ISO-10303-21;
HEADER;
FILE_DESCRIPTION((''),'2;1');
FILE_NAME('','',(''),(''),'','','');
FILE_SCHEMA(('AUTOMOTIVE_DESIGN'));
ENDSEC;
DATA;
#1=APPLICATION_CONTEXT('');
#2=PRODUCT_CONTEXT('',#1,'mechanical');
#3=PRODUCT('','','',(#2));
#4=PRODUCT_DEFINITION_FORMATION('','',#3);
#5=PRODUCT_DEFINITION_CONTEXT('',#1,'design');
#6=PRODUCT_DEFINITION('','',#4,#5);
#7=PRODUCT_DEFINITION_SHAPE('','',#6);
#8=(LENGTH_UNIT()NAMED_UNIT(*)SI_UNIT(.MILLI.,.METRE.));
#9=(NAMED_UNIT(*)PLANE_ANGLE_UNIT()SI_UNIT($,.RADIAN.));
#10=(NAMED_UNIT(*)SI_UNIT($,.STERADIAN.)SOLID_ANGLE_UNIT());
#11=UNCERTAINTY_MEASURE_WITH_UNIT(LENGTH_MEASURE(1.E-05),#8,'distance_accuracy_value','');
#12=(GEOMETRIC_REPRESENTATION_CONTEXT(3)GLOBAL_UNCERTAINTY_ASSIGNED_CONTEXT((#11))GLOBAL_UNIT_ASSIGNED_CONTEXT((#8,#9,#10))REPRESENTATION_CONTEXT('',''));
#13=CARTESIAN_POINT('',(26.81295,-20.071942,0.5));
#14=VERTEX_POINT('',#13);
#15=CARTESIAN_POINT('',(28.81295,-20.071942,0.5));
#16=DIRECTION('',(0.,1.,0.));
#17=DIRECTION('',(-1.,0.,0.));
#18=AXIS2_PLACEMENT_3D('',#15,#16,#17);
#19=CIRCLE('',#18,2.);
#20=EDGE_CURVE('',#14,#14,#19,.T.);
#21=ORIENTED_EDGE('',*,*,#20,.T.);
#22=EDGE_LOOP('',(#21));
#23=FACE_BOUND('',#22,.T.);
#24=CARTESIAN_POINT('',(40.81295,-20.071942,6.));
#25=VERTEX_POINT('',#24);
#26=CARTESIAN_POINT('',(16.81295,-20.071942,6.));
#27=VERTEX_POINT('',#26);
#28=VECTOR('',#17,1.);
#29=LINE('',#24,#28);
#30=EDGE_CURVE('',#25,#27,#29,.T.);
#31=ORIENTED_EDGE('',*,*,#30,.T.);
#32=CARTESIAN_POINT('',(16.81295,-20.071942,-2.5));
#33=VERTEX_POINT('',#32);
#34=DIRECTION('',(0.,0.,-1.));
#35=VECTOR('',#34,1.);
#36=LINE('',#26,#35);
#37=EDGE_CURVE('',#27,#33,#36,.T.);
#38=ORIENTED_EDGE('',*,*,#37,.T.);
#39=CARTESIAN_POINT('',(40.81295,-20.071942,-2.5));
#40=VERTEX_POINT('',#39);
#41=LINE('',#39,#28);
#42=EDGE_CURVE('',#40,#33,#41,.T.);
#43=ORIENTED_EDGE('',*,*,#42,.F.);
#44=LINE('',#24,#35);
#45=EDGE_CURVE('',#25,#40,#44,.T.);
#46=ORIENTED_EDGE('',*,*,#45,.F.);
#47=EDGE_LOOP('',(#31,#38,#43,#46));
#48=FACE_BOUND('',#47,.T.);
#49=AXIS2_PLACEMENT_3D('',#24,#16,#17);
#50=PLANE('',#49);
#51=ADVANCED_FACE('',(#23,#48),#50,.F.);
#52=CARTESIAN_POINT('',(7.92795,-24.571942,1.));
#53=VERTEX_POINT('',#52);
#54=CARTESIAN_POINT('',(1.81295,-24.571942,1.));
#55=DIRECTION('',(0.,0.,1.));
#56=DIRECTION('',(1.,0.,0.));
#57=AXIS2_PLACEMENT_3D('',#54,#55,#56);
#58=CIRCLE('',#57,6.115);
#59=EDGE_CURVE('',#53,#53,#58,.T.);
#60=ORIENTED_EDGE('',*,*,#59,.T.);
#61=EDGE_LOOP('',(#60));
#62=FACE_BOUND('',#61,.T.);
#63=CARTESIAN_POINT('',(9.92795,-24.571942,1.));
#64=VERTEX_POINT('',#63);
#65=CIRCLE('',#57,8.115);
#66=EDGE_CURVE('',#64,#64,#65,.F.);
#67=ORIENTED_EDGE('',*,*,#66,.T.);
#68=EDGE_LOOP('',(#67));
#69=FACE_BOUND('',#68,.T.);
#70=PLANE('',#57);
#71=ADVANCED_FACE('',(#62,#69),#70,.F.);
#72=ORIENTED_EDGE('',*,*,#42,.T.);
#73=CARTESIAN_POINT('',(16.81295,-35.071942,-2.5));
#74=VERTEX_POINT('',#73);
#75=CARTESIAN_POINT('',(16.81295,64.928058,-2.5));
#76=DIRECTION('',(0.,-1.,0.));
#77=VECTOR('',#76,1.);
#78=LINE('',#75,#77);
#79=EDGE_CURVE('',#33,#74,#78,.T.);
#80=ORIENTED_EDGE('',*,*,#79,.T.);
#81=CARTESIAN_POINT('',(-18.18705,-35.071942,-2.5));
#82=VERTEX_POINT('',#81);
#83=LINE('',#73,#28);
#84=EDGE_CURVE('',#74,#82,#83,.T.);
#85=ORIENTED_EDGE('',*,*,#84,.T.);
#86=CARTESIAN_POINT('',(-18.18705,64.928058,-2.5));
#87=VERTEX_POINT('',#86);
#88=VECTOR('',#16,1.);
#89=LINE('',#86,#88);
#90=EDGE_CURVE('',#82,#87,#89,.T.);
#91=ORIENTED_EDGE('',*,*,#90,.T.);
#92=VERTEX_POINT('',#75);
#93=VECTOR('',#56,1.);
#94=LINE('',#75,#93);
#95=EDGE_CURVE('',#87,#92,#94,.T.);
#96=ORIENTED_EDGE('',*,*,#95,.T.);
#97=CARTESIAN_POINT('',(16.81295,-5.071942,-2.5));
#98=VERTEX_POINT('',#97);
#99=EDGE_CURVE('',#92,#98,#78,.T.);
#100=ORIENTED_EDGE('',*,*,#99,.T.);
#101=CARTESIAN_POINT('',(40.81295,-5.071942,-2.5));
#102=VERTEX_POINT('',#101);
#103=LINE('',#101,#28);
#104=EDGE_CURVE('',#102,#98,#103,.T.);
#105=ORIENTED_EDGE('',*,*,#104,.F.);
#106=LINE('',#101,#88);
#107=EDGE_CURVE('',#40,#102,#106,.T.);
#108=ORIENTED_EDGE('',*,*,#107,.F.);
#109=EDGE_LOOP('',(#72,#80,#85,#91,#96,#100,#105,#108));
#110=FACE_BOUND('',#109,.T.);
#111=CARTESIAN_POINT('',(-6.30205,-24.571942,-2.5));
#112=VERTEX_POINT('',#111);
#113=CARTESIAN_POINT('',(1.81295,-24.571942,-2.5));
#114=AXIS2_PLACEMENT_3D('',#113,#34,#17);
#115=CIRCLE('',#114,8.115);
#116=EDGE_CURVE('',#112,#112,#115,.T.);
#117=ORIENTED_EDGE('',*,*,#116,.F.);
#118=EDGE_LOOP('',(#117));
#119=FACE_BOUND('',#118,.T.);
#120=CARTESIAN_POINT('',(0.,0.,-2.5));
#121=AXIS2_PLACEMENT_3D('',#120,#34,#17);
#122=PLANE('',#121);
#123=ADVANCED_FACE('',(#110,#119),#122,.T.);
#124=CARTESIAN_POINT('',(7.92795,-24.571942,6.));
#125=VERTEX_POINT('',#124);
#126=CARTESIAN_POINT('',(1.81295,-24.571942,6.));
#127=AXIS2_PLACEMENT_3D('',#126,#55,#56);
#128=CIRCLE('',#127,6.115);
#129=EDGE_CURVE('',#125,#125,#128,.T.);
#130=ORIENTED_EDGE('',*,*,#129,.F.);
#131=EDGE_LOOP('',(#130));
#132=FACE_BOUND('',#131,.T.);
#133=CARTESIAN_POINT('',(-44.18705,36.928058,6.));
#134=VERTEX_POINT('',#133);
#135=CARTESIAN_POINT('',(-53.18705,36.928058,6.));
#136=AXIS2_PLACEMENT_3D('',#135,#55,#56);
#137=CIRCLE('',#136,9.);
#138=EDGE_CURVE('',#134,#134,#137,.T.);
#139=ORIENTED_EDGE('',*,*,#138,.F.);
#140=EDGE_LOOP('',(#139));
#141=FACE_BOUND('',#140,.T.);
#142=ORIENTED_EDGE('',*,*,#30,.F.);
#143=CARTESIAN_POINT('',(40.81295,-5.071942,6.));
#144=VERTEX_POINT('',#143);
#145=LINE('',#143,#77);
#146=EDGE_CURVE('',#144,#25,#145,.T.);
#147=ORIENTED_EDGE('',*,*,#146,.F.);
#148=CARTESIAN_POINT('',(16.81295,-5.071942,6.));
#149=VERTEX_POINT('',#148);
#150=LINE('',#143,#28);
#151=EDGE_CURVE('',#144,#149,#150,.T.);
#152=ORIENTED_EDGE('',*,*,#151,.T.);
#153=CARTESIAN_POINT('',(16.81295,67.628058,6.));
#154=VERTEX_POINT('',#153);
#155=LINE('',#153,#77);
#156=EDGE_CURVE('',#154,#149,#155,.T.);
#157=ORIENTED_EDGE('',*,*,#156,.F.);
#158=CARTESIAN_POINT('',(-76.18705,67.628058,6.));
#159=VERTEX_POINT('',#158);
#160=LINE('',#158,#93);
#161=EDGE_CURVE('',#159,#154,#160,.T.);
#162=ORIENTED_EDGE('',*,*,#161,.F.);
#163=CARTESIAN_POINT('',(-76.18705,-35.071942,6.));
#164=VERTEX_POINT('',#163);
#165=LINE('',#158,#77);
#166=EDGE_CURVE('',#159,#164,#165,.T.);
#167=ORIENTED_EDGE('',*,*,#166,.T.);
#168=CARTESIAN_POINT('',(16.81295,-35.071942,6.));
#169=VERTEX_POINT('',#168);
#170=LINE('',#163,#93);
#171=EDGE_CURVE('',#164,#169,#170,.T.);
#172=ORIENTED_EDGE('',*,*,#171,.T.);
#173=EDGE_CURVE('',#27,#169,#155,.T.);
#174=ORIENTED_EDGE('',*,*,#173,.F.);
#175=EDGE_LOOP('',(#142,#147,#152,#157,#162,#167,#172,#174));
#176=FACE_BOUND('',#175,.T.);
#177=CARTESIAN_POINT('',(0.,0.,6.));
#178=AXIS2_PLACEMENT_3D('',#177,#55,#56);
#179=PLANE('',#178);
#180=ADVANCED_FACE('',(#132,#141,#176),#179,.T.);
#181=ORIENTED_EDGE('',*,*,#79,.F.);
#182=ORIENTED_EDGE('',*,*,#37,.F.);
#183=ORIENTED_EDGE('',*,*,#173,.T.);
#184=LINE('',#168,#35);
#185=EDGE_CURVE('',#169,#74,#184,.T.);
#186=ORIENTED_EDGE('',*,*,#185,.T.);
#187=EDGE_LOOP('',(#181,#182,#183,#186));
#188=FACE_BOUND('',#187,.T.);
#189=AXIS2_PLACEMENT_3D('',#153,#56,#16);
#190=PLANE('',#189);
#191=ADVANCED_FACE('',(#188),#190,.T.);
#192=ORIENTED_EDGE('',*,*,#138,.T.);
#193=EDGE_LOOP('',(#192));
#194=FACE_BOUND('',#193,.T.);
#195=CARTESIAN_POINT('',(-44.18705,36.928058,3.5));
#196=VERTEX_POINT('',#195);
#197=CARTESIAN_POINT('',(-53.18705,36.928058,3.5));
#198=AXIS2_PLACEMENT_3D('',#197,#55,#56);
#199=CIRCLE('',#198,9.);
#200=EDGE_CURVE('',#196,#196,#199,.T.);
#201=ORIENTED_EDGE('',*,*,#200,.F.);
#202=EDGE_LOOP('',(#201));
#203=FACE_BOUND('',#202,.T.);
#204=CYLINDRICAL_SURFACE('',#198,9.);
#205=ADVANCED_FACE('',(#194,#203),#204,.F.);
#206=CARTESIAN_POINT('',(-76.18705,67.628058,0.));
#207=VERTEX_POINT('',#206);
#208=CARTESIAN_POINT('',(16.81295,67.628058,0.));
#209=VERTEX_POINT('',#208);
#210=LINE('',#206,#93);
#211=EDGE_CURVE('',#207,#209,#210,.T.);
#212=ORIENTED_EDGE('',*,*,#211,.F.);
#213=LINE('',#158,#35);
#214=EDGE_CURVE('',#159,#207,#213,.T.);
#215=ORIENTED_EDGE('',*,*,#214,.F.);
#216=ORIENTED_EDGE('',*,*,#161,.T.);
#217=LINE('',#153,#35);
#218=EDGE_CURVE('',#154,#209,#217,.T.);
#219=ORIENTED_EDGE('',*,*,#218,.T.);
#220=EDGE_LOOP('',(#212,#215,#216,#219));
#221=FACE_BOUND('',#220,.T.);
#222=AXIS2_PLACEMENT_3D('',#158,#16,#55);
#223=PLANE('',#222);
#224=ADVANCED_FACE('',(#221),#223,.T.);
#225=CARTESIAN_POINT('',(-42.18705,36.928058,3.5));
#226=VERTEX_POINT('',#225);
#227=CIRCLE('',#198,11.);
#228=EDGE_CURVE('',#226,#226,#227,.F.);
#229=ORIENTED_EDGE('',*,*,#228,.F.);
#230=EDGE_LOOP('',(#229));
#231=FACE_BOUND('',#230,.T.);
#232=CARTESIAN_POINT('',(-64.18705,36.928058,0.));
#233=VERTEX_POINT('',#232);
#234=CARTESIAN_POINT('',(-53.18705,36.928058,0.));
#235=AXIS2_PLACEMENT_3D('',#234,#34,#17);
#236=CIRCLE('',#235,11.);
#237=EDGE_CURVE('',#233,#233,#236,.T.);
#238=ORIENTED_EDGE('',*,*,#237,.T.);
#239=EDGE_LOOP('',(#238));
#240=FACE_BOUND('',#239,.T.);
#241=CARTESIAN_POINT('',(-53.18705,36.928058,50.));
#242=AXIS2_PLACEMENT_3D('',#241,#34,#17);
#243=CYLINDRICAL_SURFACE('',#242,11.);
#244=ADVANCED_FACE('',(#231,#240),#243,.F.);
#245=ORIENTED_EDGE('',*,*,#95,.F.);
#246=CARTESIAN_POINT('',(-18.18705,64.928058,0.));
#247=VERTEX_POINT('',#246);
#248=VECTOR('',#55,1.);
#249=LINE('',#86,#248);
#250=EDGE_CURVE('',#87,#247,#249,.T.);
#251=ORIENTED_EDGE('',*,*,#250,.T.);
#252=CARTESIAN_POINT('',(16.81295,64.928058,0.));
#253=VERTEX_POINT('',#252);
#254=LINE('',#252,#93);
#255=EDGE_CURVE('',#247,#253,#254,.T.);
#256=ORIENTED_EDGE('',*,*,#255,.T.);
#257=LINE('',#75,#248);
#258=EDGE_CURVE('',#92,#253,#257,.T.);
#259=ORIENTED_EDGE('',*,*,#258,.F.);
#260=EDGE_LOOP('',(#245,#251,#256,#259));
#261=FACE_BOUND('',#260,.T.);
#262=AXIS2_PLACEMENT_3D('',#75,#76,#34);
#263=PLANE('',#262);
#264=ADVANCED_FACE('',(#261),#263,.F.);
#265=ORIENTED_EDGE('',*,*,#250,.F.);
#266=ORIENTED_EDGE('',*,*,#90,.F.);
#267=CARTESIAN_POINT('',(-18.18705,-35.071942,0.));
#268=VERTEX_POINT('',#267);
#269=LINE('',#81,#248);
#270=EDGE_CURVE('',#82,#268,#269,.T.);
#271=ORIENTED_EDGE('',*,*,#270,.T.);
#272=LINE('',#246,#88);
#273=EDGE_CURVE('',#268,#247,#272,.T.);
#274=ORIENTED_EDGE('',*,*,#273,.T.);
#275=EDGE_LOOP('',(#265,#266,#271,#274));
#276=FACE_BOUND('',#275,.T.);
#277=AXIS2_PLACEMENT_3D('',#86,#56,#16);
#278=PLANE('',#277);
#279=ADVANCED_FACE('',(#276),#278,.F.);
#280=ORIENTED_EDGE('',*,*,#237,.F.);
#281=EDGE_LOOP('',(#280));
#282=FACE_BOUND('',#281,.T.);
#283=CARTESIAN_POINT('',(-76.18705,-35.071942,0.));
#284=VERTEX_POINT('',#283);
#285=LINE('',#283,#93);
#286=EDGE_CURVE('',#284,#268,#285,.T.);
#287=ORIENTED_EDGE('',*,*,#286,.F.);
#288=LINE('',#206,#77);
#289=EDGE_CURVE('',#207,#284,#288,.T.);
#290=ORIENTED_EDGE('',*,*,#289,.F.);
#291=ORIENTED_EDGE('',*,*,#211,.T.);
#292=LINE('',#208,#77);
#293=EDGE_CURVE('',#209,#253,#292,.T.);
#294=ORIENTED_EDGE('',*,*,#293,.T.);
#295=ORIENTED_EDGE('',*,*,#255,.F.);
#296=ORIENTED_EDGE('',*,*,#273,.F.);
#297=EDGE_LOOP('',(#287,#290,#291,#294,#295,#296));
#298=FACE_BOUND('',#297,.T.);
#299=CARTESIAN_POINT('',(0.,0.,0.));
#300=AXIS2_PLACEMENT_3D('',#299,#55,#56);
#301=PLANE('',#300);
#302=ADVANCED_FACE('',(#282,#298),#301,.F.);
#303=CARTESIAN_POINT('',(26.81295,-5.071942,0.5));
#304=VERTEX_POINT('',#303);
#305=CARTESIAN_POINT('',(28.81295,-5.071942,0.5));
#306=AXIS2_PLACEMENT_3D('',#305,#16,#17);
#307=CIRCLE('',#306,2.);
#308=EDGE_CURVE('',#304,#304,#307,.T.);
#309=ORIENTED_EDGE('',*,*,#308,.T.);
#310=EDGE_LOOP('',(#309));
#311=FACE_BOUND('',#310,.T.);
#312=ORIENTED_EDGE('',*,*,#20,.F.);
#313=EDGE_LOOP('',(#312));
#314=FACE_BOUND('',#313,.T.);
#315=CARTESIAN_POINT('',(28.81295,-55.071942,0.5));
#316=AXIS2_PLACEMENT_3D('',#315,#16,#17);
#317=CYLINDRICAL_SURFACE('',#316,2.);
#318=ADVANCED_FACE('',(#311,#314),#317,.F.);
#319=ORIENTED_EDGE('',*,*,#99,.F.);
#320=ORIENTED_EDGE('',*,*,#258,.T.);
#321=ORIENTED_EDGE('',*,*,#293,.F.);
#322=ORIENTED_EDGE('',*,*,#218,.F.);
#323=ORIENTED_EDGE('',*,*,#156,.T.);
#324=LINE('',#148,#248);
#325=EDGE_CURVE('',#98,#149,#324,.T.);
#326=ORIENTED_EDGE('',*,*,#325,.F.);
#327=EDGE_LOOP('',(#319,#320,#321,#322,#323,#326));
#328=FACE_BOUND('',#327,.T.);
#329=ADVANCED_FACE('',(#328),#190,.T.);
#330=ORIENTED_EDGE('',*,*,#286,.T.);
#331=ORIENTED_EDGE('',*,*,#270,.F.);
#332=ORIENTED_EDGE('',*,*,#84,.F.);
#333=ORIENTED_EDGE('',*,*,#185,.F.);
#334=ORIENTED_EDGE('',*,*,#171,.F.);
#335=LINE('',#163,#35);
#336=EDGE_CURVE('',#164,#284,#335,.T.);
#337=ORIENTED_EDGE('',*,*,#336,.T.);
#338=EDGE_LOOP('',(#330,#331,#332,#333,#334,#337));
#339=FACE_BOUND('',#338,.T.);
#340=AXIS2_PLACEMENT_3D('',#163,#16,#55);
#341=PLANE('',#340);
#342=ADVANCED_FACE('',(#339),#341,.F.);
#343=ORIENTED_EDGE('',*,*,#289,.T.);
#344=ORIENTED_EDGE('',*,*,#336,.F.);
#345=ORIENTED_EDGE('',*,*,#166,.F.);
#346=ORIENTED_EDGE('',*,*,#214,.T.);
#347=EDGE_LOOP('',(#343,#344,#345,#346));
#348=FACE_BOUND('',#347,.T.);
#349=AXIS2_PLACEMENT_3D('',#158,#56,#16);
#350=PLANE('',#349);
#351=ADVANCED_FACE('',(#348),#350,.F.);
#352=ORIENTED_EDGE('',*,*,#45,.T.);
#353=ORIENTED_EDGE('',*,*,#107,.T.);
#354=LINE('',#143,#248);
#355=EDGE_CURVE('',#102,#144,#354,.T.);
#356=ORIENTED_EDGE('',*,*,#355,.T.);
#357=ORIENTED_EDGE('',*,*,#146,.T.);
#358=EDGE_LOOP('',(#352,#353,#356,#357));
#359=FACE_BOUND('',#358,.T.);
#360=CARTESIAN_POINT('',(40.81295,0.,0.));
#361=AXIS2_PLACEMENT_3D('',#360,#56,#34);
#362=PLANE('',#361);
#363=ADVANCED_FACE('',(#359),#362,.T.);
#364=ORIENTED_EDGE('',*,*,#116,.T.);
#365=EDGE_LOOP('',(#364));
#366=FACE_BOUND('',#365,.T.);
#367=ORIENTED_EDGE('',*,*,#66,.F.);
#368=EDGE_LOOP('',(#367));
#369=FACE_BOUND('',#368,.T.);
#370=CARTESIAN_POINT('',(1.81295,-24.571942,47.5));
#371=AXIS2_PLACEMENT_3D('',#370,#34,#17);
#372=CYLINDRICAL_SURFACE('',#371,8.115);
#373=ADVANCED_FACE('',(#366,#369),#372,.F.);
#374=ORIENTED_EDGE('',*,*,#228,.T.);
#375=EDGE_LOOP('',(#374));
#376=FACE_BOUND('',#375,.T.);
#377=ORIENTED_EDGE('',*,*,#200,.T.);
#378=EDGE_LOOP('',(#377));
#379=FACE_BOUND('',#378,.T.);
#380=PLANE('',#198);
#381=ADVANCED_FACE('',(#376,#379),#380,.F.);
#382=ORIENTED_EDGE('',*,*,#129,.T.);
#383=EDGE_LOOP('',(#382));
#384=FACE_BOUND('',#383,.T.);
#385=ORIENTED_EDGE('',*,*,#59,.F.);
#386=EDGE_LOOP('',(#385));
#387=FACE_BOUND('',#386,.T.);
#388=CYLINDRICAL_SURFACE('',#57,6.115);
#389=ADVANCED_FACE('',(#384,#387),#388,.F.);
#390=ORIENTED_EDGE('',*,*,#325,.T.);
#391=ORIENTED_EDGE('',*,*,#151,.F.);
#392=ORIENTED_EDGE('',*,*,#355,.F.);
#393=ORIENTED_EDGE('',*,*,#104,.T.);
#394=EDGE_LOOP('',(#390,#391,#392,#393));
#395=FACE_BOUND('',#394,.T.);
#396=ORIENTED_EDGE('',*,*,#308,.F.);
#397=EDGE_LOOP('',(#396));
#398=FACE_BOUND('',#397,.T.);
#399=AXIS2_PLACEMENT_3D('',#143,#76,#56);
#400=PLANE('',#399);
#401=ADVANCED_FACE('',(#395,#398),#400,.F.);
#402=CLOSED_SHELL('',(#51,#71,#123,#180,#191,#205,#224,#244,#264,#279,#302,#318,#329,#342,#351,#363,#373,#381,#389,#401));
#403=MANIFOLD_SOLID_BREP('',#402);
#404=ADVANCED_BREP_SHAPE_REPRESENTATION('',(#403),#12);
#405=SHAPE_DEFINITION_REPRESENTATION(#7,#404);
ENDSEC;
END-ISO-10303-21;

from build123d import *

# Parameters (mm, degrees)
SKETCH1_W           = 93
SKETCH1_H           = 102.7
BOSS_EXTRUDE2_DEPTH = 6
SKETCH3_W           = 35
SKETCH3_H           = 100
BOSS_EXTRUDE3_DEPTH = 2.5
SKETCH4_W           = 8.5
SKETCH4_H           = 15
BOSS_EXTRUDE4_DEPTH = 24
SKETCH5_R           = 2
CUT_EXTRUDE1_DEPTH  = 50
SKETCH6_R           = 8.115
CUT_EXTRUDE2_DEPTH  = 50
SKETCH7_R           = 11
CUT_EXTRUDE3_DEPTH  = 50
EXTRUDE_THIN1_START = -3.5
SKETCH7_AGAIN_R     = 11
SKETCH7_AGAIN_R_2   = 9
EXTRUDE_THIN1_DEPTH = 2.5
EXTRUDE_THIN2_START = -3.5
SKETCH6_2_R         = 8.115
SKETCH6_2_R_2       = 6.115
EXTRUDE_THIN2_DEPTH = 5


with BuildPart() as part:
    # Sketch1 → Boss-Extrude2 (new body)
    with BuildSketch(Plane.XY):
        with Locations((-29.68705036, 16.278057554)):
            Rectangle(SKETCH1_W, SKETCH1_H)
    extrude(amount=BOSS_EXTRUDE2_DEPTH)

    # Sketch3 → Boss-Extrude3 (add)
    with BuildSketch(Plane(origin=(0, 0, 0), x_dir=(-1, 0, 0), z_dir=(0, 0, -1))):
        with Locations((0.68705036, 14.928057554)):
            Rectangle(SKETCH3_W, SKETCH3_H)
    extrude(amount=BOSS_EXTRUDE3_DEPTH)

    # Sketch4 → Boss-Extrude4 (add)
    with BuildSketch(Plane(origin=(16.81294964, 0, 0), x_dir=(0, 0, -1), z_dir=(1, 0, 0))):
        with Locations((-1.75, -12.571942446)):
            Rectangle(SKETCH4_W, SKETCH4_H)
    extrude(amount=BOSS_EXTRUDE4_DEPTH)

    # Sketch5 → Cut-Extrude1 (cut)
    with BuildSketch(Plane(origin=(0, -5.071942446, 0), x_dir=(1, 0, 0), z_dir=(0, 1, 0))):
        with Locations(Location((28.81294964, -0.5, 0), (0, 0, 180))):
            Circle(SKETCH5_R)
    extrude(amount=-CUT_EXTRUDE1_DEPTH, mode=Mode.SUBTRACT)

    # Sketch6 → Cut-Extrude2 (cut)
    with BuildSketch(Plane(origin=(0, 0, -2.5), x_dir=(-1, 0, 0), z_dir=(0, 0, -1))):
        with Locations((-1.81294964, -24.571942446)):
            Circle(SKETCH6_R)
    extrude(amount=-CUT_EXTRUDE2_DEPTH, mode=Mode.SUBTRACT)

    # Sketch7 → Cut-Extrude3 (cut)
    with BuildSketch(Plane(origin=(0, 0, 0), x_dir=(-1, 0, 0), z_dir=(0, 0, -1))):
        with Locations((53.18705036, 36.928057554)):
            Circle(SKETCH7_R)
    extrude(amount=-CUT_EXTRUDE3_DEPTH, mode=Mode.SUBTRACT)

    # Sketch7 again → Extrude-Thin1 (add)
    with BuildSketch(Plane(origin=(0, 0, 0), x_dir=(-1, 0, 0), z_dir=(0, 0, -1)).offset(EXTRUDE_THIN1_START)):
        with Locations((53.18705036, 36.928057554)):
            Circle(SKETCH7_AGAIN_R)
        with Locations((53.18705036, 36.928057554)):
            Circle(SKETCH7_AGAIN_R_2, mode=Mode.SUBTRACT)
    extrude(amount=-EXTRUDE_THIN1_DEPTH)

    # Sketch6<2> → Extrude-Thin2 (add)
    with BuildSketch(Plane(origin=(0, 0, -2.5), x_dir=(-1, 0, 0), z_dir=(0, 0, -1)).offset(EXTRUDE_THIN2_START)):
        with Locations((-1.81294964, -24.571942446)):
            Circle(SKETCH6_2_R)
        with Locations((-1.81294964, -24.571942446)):
            Circle(SKETCH6_2_R_2, mode=Mode.SUBTRACT)
    extrude(amount=-EXTRUDE_THIN2_DEPTH)


solid = part.part
